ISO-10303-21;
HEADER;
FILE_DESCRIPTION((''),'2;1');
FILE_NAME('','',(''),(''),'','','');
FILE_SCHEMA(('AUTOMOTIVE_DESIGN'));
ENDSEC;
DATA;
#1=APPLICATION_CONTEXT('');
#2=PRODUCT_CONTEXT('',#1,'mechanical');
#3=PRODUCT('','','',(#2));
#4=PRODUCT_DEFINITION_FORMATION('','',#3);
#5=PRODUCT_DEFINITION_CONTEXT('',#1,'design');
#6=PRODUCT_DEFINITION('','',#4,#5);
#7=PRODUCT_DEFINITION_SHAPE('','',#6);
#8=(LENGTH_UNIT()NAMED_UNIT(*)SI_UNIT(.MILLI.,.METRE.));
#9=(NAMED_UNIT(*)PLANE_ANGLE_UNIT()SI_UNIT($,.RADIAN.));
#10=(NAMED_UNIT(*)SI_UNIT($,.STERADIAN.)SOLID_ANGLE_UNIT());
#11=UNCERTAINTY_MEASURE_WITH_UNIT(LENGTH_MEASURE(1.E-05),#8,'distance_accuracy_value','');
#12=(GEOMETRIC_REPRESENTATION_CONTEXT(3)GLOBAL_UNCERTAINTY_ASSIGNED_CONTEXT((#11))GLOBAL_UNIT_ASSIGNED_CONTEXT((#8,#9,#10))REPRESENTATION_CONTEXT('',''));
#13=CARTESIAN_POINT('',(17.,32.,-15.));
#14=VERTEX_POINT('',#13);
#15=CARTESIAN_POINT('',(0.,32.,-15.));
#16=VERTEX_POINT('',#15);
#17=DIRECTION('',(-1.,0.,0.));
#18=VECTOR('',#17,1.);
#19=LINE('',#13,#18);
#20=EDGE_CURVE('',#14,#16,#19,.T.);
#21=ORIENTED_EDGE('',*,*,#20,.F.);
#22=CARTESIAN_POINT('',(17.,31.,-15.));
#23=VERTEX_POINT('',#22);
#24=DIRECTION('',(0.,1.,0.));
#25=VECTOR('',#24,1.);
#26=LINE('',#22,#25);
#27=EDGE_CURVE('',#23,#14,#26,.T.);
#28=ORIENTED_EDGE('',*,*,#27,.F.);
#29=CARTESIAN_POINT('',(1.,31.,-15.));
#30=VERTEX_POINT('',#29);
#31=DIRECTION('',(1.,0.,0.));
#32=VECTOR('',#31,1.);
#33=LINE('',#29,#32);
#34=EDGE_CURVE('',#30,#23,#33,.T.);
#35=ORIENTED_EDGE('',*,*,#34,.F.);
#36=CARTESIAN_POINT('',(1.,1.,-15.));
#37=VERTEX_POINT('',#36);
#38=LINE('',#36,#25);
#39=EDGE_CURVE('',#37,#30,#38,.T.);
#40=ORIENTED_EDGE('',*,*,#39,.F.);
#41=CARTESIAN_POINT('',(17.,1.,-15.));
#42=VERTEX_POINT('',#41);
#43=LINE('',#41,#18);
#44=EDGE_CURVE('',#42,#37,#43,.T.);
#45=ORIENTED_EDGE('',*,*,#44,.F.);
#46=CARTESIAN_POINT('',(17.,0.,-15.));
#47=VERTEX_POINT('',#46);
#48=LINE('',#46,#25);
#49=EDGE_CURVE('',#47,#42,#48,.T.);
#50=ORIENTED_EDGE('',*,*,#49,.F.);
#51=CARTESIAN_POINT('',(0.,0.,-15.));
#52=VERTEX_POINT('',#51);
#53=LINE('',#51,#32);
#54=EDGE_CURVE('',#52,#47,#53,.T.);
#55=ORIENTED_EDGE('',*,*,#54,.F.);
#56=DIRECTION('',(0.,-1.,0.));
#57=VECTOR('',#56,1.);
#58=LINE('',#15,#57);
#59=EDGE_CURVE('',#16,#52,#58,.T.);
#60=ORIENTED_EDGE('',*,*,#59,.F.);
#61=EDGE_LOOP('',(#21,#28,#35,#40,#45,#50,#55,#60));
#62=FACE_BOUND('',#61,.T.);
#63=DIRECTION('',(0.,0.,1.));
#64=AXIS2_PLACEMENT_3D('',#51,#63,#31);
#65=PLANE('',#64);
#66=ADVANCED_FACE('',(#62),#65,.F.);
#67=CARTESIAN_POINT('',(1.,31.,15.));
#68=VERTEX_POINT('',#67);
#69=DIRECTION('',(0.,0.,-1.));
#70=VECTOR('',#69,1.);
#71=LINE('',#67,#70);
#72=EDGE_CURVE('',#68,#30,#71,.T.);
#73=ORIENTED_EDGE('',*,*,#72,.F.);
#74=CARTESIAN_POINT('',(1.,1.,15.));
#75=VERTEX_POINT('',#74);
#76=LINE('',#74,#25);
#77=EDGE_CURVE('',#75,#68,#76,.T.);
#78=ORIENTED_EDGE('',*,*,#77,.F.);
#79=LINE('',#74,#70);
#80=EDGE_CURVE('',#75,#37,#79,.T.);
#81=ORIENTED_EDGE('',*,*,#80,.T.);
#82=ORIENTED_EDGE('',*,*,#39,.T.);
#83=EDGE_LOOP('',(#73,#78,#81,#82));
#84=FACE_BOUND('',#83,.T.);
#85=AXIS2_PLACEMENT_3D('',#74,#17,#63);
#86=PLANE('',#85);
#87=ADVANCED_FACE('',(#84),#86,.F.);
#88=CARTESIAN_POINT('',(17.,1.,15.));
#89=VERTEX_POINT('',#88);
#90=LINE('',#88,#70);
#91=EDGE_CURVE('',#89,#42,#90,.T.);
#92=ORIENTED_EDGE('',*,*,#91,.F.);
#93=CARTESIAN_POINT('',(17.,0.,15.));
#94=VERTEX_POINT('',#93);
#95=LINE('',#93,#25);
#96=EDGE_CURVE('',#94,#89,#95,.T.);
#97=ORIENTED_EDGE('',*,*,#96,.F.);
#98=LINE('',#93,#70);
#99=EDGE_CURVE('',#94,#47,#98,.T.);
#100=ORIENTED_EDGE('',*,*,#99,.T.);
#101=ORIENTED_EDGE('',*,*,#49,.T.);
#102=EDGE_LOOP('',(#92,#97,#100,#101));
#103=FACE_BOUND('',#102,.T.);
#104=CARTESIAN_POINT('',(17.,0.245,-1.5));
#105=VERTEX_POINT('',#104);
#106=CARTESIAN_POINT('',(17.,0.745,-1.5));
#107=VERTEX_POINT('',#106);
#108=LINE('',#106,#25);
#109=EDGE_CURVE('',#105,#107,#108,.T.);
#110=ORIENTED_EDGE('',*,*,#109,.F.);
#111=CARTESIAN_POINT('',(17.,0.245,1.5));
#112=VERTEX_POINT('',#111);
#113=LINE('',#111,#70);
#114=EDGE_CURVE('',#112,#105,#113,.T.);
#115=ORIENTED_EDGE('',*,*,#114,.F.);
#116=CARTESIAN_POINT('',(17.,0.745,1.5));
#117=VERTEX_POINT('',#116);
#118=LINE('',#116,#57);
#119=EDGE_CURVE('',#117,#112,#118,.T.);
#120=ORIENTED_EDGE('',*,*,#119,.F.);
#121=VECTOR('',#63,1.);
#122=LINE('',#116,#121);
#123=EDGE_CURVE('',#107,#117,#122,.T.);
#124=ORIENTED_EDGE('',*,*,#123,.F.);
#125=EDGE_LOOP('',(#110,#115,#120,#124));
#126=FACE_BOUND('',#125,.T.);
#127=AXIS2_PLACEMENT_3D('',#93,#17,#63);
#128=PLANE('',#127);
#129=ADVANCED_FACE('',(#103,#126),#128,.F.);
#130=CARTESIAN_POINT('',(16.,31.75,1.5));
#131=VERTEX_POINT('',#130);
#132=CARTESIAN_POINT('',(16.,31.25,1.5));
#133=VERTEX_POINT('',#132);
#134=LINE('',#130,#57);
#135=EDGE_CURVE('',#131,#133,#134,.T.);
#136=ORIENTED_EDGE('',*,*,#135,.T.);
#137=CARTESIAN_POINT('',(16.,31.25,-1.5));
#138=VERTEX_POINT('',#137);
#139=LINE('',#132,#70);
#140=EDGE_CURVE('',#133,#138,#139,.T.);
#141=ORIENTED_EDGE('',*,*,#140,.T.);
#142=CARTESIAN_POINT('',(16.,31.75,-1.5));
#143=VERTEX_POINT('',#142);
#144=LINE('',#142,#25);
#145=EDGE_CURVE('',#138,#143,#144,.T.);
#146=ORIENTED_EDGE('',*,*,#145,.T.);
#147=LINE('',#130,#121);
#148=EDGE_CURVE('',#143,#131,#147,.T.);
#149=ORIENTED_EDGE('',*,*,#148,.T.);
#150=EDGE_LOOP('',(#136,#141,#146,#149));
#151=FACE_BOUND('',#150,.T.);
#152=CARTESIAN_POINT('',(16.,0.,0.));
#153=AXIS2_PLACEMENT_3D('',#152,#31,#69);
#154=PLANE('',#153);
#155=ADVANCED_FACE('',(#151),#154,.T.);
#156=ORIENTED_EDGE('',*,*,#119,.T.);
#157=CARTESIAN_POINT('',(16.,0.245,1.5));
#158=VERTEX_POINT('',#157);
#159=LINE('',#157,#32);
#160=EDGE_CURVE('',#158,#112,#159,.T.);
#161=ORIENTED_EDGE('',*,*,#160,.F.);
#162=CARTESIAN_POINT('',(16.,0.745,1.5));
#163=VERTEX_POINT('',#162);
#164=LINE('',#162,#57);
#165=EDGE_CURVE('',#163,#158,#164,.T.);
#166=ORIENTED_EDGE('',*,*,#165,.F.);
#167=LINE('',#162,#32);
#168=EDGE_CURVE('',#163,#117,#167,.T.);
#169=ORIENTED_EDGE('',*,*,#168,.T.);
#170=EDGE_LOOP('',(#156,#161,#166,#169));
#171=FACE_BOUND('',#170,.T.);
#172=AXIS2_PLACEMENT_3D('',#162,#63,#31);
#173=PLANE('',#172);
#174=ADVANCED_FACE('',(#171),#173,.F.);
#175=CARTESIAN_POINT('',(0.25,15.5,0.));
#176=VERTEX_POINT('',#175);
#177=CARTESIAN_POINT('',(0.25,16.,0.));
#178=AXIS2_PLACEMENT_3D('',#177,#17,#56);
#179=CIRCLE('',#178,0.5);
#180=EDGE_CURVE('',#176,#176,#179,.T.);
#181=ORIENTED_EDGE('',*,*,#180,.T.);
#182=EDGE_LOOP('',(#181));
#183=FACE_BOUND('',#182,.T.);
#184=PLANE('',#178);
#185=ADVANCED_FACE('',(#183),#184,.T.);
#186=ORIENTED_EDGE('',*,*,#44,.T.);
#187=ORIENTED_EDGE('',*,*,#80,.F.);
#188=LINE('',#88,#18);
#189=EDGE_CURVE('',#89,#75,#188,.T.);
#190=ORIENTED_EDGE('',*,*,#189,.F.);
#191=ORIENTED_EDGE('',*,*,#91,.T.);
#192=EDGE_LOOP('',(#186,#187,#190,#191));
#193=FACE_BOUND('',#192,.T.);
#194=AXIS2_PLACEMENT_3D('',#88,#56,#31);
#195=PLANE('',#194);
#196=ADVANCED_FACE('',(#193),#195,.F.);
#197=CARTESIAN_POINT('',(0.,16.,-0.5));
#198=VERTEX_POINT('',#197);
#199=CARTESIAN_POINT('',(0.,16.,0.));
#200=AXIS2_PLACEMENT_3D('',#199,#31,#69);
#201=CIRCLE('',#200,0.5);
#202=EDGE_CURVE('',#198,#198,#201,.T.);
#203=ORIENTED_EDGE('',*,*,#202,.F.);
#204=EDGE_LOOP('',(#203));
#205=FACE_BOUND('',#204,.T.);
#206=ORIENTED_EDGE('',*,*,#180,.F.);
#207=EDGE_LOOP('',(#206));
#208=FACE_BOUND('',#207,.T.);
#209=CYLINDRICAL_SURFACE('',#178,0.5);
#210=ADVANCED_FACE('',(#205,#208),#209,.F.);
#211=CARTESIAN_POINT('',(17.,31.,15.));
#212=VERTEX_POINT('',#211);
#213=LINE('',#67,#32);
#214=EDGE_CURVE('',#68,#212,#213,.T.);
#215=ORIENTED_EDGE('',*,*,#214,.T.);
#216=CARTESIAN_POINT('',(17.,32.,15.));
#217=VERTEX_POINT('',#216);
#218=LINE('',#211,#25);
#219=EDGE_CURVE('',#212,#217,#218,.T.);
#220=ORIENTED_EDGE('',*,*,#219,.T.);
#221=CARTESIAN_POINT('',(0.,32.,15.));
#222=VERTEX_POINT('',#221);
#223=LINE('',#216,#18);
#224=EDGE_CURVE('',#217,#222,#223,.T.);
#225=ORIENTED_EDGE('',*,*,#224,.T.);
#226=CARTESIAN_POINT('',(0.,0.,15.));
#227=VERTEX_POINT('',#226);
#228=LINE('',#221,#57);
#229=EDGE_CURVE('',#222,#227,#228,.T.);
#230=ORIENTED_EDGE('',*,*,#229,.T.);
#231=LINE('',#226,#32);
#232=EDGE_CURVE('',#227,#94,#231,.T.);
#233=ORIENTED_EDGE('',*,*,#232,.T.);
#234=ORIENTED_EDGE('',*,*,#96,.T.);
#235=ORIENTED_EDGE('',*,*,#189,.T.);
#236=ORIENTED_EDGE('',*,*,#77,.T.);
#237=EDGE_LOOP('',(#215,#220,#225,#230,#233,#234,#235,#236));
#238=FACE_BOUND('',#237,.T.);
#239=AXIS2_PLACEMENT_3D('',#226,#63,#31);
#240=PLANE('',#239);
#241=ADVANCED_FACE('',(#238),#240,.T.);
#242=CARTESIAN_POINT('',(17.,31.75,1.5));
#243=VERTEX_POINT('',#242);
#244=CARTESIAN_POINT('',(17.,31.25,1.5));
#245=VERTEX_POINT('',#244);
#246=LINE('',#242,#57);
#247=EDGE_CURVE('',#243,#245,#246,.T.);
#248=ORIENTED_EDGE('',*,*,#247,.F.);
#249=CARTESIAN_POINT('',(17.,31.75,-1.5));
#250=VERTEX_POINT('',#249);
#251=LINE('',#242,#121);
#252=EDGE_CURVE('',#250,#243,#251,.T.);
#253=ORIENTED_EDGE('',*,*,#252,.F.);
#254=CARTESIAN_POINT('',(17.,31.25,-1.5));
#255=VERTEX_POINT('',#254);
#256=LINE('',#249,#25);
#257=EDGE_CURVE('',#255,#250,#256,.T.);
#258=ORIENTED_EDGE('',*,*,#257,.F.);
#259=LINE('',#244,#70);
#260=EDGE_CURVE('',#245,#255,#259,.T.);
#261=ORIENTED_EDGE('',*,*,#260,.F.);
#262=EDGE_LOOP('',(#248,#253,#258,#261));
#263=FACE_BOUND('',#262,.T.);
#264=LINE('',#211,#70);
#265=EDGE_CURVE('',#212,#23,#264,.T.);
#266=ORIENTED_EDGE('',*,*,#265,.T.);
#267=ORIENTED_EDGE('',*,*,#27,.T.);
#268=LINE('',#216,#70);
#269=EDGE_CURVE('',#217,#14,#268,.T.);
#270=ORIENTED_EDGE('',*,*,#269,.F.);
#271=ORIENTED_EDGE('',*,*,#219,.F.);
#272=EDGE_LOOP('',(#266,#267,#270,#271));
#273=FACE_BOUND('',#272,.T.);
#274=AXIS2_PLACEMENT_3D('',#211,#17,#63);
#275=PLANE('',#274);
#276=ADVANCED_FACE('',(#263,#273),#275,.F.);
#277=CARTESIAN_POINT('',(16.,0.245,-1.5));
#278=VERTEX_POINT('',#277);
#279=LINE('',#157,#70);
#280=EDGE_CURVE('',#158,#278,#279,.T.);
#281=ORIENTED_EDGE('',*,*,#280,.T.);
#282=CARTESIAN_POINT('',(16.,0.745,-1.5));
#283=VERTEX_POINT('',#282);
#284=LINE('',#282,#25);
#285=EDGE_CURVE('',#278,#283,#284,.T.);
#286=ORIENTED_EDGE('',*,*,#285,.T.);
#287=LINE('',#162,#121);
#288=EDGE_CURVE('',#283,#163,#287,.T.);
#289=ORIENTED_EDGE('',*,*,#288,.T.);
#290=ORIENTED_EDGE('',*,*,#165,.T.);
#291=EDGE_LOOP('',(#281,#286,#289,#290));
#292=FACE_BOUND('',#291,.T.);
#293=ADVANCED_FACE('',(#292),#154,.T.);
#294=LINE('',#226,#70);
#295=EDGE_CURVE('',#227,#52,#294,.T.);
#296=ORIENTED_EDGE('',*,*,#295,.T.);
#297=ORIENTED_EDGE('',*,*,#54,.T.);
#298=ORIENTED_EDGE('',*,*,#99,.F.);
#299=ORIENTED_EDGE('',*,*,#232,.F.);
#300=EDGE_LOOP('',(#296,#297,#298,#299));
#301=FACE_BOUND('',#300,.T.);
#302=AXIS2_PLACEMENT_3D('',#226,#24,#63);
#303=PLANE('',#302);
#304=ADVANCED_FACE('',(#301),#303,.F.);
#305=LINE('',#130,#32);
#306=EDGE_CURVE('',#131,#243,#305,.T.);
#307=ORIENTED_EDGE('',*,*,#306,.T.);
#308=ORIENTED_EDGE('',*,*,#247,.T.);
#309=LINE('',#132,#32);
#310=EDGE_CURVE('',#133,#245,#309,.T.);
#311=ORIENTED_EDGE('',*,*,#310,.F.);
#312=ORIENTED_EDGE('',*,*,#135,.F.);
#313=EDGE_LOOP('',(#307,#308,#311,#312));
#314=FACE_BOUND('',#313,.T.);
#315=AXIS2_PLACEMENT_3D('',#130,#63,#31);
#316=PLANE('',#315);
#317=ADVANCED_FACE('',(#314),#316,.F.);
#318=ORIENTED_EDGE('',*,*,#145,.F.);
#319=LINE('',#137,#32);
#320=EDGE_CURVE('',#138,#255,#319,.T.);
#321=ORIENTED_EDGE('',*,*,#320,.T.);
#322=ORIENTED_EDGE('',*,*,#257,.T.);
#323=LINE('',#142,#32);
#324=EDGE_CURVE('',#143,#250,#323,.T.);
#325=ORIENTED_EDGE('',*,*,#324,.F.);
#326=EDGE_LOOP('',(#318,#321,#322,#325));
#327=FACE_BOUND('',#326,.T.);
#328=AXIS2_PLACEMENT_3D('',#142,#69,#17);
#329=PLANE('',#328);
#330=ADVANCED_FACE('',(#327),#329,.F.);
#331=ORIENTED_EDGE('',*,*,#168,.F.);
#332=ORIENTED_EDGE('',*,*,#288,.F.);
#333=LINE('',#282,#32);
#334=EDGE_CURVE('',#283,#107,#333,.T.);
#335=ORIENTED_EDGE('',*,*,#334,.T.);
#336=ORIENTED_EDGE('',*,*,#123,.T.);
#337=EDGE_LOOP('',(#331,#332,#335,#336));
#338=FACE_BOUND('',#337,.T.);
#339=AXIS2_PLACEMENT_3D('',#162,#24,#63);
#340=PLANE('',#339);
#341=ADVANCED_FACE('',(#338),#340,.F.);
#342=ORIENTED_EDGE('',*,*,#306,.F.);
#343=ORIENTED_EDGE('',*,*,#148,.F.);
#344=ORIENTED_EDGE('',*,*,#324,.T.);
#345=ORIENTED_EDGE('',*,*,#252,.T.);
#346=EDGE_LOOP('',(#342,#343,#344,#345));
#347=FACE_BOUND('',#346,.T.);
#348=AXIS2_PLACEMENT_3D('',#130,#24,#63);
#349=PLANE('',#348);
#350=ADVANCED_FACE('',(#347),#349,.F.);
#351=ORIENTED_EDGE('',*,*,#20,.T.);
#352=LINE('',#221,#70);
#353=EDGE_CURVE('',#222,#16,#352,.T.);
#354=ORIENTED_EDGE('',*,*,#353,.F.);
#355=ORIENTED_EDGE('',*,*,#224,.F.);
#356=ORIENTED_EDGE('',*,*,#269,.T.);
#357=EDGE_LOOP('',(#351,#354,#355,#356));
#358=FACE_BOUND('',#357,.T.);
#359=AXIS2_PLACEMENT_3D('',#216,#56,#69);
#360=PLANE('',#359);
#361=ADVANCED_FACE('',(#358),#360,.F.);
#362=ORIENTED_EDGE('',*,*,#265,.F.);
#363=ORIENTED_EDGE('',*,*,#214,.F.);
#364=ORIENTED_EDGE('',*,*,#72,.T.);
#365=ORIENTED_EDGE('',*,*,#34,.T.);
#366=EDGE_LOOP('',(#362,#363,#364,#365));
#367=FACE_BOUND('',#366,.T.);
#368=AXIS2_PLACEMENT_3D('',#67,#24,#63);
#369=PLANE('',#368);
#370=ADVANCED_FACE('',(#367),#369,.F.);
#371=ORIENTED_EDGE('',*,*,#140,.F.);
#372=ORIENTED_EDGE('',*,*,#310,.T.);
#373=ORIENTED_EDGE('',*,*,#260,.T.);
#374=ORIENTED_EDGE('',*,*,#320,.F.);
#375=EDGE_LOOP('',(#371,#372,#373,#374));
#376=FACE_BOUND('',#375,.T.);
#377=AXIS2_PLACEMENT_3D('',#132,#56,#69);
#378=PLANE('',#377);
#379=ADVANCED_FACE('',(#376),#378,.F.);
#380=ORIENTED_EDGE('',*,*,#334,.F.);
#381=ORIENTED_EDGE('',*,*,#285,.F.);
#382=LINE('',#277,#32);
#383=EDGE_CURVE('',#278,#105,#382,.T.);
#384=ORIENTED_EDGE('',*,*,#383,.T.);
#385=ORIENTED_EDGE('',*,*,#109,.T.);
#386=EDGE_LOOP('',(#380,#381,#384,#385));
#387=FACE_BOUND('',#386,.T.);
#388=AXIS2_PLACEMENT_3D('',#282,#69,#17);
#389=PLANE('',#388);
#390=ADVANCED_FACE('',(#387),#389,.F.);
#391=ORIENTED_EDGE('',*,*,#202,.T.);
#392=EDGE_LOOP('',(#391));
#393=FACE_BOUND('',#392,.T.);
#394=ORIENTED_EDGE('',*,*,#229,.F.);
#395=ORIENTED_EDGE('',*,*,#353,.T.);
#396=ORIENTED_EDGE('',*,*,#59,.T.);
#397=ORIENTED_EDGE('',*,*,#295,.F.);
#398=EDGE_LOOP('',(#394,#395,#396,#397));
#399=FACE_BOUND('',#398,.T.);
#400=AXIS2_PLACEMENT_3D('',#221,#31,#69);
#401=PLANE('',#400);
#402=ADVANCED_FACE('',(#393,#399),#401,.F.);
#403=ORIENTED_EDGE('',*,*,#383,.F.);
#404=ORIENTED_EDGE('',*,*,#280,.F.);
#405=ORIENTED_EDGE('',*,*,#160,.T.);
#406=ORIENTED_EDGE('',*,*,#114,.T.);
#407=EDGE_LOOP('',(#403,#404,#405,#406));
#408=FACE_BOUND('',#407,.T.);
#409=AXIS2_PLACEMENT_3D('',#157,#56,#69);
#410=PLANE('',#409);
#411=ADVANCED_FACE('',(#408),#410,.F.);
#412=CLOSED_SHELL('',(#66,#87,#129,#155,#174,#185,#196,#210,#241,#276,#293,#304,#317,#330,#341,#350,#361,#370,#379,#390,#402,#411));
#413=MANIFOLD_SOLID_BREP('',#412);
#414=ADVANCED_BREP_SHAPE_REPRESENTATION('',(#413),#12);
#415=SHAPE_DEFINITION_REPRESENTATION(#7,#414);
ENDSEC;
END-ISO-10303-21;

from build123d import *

# Parameters (mm, degrees)
BOSS_EXTRUDE1_DEPTH = 15
SKETCH3_W           = 3
SKETCH3_H           = 0.5
CUT_EXTRUDE1_DEPTH  = 1
SKETCH2_W           = 3
SKETCH2_H           = 0.5
CUT_EXTRUDE2_DEPTH  = 1
SKETCH5_R           = 0.5
CUT_EXTRUDE3_DEPTH  = 0.25


with BuildPart() as part:
    # Sketch1 → Boss-Extrude1 (new body, symmetric)
    with BuildSketch(Plane.XY):
        Polygon((0, 0), (17, 0), (17, 1), (1, 1), (1, 31), (17, 31), (17, 32), (0, 32), align=None)
    extrude(amount=BOSS_EXTRUDE1_DEPTH, both=True)

    # Sketch3 → Cut-Extrude1 (cut)
    with BuildSketch(Plane(origin=(17, 0, 0), x_dir=(0, 0, -1), z_dir=(1, 0, 0))):
        with Locations((0, 0.495)):
            Rectangle(SKETCH3_W, SKETCH3_H)
    extrude(amount=-CUT_EXTRUDE1_DEPTH, mode=Mode.SUBTRACT)

    # Sketch2 → Cut-Extrude2 (cut)
    with BuildSketch(Plane(origin=(17, 0, 0), x_dir=(0, 0, -1), z_dir=(1, 0, 0))):
        with Locations((0, 31.5)):
            Rectangle(SKETCH2_W, SKETCH2_H)
    extrude(amount=-CUT_EXTRUDE2_DEPTH, mode=Mode.SUBTRACT)

    # Sketch5 → Cut-Extrude3 (cut, symmetric)
    with BuildSketch(Plane.ZY):
        with Locations((0, 16)):
            Circle(SKETCH5_R)
    extrude(amount=CUT_EXTRUDE3_DEPTH, both=True, mode=Mode.SUBTRACT)


solid = part.part
